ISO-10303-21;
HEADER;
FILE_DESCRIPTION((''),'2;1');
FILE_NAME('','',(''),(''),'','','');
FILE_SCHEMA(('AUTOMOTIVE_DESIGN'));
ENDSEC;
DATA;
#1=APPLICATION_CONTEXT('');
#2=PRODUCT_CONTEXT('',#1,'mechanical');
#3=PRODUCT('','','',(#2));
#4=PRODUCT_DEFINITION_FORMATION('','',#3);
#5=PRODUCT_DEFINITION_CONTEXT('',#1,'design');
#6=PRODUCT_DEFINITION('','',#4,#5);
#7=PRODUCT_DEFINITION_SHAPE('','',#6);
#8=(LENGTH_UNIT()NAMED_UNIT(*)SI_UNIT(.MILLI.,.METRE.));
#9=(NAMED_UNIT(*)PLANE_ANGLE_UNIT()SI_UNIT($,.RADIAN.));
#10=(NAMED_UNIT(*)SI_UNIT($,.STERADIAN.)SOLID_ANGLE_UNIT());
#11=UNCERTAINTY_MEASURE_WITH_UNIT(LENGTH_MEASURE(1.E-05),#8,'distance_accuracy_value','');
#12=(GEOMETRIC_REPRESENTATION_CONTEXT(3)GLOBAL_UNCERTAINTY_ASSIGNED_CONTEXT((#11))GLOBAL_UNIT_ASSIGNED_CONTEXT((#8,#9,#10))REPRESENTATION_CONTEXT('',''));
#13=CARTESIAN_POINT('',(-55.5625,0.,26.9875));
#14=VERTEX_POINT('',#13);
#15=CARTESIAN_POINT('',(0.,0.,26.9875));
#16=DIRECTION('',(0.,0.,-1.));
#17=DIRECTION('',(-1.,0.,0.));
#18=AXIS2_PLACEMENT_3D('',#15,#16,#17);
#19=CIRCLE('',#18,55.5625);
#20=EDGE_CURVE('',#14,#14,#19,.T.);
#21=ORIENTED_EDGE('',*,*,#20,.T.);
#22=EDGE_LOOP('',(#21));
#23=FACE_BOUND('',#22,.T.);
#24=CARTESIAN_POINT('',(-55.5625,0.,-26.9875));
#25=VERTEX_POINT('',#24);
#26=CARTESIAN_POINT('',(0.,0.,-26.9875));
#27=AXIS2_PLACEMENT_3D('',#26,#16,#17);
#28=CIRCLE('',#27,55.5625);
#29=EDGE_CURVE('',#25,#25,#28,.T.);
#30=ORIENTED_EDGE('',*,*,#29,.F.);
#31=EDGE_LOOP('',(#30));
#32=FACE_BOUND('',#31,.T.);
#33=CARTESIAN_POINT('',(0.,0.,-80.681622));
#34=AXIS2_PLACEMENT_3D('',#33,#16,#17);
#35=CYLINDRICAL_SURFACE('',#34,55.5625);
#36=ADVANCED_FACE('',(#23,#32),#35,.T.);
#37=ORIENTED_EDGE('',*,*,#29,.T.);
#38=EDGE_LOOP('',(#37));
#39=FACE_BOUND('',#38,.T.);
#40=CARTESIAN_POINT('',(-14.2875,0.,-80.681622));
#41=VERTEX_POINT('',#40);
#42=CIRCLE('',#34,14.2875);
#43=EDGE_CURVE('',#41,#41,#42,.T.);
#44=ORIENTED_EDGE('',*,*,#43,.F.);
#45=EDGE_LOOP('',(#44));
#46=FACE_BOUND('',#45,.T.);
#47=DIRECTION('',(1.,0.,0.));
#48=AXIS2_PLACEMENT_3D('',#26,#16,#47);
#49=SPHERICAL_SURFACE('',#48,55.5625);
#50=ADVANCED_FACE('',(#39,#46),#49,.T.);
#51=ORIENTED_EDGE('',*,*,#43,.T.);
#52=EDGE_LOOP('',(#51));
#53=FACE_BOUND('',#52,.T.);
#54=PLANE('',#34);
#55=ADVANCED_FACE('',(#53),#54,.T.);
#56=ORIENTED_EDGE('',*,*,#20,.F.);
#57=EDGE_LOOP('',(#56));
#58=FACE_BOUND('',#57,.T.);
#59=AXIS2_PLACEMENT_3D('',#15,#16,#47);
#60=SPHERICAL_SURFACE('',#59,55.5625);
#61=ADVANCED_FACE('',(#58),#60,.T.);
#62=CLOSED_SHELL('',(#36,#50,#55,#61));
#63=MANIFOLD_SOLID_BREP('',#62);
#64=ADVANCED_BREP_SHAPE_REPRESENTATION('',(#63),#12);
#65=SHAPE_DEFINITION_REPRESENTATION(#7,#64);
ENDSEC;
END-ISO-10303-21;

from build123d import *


with BuildPart() as part:
    # Sketch1 → Revolve1 (revolve)
    with BuildSketch(Plane(origin=(0, 0, 0), x_dir=(1, 0, 0), z_dir=(0, 1, 0))):
        with BuildLine():
            Line((55.5625, -26.9875), (55.5625, 26.9875))
            ThreePointArc((55.5625, 26.9875), (44.051337238, 60.8500323), (14.2875, 80.681622118))
            Line((14.2875, 80.681622118), (0, 80.681622118))
            Line((0, 80.681622118), (0, -82.55))
            ThreePointArc((0, -82.55), (39.28862053, -66.27612053), (55.5625, -26.9875))
        make_face()
    revolve(axis=Axis((0, 0, -80.681622118), (0, 0, 1)))


solid = part.part
